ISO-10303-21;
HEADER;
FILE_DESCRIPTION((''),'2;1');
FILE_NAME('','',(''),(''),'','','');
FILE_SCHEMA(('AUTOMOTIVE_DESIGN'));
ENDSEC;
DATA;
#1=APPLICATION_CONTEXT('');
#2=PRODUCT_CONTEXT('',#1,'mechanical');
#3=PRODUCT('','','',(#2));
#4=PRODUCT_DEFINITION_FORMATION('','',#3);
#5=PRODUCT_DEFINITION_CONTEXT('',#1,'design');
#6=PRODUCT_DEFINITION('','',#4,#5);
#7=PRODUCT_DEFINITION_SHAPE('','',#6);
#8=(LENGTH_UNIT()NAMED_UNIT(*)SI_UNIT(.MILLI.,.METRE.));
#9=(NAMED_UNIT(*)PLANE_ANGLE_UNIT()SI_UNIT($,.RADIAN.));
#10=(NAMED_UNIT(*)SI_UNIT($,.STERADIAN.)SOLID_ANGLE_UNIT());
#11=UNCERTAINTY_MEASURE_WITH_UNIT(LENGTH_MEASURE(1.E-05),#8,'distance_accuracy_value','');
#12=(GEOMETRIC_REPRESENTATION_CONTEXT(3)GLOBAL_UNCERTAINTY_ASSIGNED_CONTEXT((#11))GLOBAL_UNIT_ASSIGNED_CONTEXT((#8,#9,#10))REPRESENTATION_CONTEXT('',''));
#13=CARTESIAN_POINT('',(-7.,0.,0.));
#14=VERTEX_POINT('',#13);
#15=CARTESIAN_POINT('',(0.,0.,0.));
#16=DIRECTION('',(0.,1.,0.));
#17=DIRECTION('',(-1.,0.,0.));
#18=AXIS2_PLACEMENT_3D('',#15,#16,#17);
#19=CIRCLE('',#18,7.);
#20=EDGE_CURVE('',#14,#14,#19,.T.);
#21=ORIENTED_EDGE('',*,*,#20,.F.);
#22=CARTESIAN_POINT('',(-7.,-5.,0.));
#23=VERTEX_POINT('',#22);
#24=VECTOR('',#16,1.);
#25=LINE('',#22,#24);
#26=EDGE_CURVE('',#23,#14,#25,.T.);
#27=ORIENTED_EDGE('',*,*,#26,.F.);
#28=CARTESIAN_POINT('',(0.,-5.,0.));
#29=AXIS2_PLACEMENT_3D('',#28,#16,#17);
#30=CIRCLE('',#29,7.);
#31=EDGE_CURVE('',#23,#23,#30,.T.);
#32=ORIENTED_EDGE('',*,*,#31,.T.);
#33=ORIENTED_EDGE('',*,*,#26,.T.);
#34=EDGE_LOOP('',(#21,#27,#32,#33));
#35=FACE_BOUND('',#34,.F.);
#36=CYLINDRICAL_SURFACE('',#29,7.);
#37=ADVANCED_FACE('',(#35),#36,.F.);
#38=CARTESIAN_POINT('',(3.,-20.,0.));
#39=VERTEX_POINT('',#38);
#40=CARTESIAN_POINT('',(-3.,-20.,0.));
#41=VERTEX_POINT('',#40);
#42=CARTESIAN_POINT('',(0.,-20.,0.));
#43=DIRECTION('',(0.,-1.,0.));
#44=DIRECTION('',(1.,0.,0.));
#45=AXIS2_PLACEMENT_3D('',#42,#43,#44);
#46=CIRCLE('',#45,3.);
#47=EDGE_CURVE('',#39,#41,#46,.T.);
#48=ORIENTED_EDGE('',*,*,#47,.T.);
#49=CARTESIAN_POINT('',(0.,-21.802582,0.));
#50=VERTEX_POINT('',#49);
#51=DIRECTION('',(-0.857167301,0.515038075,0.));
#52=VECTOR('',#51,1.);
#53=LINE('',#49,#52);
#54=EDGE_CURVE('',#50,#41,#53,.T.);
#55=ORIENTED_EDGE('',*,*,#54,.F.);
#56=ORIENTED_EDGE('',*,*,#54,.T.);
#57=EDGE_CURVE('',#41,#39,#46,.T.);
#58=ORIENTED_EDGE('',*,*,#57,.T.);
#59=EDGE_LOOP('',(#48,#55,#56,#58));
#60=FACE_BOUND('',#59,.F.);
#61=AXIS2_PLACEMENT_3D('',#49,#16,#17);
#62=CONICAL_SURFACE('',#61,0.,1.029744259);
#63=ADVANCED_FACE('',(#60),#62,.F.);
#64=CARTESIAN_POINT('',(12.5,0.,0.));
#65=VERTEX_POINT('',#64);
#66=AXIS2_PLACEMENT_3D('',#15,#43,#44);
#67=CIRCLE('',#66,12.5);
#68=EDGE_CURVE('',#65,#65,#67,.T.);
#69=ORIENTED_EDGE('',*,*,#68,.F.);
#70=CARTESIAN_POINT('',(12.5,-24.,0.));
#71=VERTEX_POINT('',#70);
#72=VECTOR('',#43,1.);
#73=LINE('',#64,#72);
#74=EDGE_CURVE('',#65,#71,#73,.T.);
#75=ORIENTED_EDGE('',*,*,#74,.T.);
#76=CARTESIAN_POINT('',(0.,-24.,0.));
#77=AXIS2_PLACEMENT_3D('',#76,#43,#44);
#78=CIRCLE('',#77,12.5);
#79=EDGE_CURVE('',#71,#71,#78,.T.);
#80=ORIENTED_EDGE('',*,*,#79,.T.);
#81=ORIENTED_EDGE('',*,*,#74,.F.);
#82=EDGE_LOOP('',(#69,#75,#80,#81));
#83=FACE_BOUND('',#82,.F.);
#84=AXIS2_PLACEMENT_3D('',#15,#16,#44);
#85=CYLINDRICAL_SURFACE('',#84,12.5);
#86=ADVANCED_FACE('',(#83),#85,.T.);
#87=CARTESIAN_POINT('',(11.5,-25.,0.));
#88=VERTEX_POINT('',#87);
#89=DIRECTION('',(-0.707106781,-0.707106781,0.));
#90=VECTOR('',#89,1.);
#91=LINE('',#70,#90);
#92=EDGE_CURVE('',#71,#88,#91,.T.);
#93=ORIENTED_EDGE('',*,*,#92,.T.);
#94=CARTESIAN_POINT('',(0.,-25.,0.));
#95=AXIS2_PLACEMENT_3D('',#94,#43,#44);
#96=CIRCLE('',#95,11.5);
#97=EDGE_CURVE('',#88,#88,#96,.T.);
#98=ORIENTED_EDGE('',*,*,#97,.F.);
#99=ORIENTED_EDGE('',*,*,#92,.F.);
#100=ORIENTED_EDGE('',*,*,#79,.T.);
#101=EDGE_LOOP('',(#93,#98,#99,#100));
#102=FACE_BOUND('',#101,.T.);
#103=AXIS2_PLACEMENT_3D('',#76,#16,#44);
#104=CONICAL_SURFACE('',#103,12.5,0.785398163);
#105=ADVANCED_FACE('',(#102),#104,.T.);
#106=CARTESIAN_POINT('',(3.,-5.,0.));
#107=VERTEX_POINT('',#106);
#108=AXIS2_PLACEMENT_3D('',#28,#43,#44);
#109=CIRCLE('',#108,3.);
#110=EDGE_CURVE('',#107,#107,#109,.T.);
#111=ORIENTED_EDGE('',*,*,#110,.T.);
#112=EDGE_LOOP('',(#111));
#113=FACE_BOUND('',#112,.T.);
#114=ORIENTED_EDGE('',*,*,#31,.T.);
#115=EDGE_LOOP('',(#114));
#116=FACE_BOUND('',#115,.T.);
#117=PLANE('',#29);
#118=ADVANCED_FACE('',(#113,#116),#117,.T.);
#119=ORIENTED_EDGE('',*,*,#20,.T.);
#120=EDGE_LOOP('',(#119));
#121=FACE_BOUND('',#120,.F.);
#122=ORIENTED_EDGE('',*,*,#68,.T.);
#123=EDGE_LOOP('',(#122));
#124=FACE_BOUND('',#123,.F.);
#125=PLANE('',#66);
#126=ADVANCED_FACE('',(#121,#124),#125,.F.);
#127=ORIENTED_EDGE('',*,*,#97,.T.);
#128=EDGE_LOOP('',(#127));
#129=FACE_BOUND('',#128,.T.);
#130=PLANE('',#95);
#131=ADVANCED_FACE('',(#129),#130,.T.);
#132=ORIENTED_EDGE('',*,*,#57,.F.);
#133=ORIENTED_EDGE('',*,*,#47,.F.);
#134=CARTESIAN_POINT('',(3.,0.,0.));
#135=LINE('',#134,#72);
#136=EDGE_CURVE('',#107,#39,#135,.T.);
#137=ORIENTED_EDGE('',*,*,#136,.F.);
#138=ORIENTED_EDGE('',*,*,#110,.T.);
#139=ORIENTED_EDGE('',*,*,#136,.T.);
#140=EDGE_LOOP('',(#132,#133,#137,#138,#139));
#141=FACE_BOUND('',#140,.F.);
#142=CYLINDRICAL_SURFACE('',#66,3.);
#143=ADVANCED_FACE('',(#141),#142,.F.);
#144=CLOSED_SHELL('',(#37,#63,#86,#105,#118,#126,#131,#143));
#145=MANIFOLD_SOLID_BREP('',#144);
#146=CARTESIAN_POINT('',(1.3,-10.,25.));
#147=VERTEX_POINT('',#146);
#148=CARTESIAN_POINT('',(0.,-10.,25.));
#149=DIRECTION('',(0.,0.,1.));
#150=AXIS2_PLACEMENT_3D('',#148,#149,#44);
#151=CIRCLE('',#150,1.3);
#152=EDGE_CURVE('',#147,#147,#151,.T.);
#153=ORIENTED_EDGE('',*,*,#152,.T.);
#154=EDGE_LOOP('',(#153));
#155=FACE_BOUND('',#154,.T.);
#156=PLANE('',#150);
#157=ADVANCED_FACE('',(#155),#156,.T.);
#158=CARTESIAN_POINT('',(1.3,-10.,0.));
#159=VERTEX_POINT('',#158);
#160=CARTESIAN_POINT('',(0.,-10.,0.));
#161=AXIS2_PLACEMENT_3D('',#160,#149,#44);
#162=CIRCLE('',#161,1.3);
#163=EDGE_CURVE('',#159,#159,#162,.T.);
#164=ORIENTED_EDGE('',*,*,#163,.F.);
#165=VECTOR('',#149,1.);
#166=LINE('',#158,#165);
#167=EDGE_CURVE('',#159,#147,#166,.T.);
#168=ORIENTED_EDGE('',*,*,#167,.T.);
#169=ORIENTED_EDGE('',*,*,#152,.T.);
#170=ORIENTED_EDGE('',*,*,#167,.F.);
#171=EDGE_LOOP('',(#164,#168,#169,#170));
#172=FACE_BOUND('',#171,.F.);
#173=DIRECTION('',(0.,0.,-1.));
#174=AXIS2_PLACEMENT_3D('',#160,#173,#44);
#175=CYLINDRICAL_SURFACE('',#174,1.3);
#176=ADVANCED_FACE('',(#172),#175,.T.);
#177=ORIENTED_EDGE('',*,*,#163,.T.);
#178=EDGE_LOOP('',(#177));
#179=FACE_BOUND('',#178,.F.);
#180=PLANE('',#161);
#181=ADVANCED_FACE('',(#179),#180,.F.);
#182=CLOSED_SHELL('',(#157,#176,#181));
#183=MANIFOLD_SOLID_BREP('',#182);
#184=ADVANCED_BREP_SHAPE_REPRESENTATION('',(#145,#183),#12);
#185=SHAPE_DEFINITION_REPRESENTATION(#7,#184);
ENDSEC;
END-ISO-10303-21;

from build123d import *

# Parameters (mm, degrees)
F0_R           = 12.5
F1_DEPTH       = 25
F2_SIZE        = 1
F4_D           = 6
F4_DEPTH       = 20
F4_CBORE_D     = 14
F4_CBORE_DEPTH = 5
F4_TIP         = 1.8025818571
F5_R           = 1.3
F6_DEPTH       = 25


with BuildPart() as f1:
    # F0 (on Front) → F1 (new body)
    with BuildSketch(Plane.XZ):
        Circle(F0_R)
    extrude(amount=F1_DEPTH)

    # F2
    f2_edges = [f1.edges().sort_by_distance(p)[0] for p in [
        (-12.5, -25, 0),
    ]]
    chamfer(f2_edges, length=F2_SIZE)

    # F4
    with Locations(Plane(origin=(0, 0, 0), x_dir=(-1, 0, 0), z_dir=(0, 1, 0))):
        with Locations((0, 0)):
            CounterBoreHole(F4_D / 2, F4_CBORE_D / 2, F4_CBORE_DEPTH, depth=F4_DEPTH)
            with Locations((0, 0, -(F4_DEPTH + F4_TIP / 2))):  # 118° drill point
                Cone(0, F4_D / 2, F4_TIP, mode=Mode.SUBTRACT)


with BuildPart() as f6:
    # F5 (on Top) → F6 (new body)
    with BuildSketch(Plane.XY):
        with Locations((0, -10)):
            Circle(F5_R)
    extrude(amount=F6_DEPTH)


solid = Compound([f1.part, f6.part])
